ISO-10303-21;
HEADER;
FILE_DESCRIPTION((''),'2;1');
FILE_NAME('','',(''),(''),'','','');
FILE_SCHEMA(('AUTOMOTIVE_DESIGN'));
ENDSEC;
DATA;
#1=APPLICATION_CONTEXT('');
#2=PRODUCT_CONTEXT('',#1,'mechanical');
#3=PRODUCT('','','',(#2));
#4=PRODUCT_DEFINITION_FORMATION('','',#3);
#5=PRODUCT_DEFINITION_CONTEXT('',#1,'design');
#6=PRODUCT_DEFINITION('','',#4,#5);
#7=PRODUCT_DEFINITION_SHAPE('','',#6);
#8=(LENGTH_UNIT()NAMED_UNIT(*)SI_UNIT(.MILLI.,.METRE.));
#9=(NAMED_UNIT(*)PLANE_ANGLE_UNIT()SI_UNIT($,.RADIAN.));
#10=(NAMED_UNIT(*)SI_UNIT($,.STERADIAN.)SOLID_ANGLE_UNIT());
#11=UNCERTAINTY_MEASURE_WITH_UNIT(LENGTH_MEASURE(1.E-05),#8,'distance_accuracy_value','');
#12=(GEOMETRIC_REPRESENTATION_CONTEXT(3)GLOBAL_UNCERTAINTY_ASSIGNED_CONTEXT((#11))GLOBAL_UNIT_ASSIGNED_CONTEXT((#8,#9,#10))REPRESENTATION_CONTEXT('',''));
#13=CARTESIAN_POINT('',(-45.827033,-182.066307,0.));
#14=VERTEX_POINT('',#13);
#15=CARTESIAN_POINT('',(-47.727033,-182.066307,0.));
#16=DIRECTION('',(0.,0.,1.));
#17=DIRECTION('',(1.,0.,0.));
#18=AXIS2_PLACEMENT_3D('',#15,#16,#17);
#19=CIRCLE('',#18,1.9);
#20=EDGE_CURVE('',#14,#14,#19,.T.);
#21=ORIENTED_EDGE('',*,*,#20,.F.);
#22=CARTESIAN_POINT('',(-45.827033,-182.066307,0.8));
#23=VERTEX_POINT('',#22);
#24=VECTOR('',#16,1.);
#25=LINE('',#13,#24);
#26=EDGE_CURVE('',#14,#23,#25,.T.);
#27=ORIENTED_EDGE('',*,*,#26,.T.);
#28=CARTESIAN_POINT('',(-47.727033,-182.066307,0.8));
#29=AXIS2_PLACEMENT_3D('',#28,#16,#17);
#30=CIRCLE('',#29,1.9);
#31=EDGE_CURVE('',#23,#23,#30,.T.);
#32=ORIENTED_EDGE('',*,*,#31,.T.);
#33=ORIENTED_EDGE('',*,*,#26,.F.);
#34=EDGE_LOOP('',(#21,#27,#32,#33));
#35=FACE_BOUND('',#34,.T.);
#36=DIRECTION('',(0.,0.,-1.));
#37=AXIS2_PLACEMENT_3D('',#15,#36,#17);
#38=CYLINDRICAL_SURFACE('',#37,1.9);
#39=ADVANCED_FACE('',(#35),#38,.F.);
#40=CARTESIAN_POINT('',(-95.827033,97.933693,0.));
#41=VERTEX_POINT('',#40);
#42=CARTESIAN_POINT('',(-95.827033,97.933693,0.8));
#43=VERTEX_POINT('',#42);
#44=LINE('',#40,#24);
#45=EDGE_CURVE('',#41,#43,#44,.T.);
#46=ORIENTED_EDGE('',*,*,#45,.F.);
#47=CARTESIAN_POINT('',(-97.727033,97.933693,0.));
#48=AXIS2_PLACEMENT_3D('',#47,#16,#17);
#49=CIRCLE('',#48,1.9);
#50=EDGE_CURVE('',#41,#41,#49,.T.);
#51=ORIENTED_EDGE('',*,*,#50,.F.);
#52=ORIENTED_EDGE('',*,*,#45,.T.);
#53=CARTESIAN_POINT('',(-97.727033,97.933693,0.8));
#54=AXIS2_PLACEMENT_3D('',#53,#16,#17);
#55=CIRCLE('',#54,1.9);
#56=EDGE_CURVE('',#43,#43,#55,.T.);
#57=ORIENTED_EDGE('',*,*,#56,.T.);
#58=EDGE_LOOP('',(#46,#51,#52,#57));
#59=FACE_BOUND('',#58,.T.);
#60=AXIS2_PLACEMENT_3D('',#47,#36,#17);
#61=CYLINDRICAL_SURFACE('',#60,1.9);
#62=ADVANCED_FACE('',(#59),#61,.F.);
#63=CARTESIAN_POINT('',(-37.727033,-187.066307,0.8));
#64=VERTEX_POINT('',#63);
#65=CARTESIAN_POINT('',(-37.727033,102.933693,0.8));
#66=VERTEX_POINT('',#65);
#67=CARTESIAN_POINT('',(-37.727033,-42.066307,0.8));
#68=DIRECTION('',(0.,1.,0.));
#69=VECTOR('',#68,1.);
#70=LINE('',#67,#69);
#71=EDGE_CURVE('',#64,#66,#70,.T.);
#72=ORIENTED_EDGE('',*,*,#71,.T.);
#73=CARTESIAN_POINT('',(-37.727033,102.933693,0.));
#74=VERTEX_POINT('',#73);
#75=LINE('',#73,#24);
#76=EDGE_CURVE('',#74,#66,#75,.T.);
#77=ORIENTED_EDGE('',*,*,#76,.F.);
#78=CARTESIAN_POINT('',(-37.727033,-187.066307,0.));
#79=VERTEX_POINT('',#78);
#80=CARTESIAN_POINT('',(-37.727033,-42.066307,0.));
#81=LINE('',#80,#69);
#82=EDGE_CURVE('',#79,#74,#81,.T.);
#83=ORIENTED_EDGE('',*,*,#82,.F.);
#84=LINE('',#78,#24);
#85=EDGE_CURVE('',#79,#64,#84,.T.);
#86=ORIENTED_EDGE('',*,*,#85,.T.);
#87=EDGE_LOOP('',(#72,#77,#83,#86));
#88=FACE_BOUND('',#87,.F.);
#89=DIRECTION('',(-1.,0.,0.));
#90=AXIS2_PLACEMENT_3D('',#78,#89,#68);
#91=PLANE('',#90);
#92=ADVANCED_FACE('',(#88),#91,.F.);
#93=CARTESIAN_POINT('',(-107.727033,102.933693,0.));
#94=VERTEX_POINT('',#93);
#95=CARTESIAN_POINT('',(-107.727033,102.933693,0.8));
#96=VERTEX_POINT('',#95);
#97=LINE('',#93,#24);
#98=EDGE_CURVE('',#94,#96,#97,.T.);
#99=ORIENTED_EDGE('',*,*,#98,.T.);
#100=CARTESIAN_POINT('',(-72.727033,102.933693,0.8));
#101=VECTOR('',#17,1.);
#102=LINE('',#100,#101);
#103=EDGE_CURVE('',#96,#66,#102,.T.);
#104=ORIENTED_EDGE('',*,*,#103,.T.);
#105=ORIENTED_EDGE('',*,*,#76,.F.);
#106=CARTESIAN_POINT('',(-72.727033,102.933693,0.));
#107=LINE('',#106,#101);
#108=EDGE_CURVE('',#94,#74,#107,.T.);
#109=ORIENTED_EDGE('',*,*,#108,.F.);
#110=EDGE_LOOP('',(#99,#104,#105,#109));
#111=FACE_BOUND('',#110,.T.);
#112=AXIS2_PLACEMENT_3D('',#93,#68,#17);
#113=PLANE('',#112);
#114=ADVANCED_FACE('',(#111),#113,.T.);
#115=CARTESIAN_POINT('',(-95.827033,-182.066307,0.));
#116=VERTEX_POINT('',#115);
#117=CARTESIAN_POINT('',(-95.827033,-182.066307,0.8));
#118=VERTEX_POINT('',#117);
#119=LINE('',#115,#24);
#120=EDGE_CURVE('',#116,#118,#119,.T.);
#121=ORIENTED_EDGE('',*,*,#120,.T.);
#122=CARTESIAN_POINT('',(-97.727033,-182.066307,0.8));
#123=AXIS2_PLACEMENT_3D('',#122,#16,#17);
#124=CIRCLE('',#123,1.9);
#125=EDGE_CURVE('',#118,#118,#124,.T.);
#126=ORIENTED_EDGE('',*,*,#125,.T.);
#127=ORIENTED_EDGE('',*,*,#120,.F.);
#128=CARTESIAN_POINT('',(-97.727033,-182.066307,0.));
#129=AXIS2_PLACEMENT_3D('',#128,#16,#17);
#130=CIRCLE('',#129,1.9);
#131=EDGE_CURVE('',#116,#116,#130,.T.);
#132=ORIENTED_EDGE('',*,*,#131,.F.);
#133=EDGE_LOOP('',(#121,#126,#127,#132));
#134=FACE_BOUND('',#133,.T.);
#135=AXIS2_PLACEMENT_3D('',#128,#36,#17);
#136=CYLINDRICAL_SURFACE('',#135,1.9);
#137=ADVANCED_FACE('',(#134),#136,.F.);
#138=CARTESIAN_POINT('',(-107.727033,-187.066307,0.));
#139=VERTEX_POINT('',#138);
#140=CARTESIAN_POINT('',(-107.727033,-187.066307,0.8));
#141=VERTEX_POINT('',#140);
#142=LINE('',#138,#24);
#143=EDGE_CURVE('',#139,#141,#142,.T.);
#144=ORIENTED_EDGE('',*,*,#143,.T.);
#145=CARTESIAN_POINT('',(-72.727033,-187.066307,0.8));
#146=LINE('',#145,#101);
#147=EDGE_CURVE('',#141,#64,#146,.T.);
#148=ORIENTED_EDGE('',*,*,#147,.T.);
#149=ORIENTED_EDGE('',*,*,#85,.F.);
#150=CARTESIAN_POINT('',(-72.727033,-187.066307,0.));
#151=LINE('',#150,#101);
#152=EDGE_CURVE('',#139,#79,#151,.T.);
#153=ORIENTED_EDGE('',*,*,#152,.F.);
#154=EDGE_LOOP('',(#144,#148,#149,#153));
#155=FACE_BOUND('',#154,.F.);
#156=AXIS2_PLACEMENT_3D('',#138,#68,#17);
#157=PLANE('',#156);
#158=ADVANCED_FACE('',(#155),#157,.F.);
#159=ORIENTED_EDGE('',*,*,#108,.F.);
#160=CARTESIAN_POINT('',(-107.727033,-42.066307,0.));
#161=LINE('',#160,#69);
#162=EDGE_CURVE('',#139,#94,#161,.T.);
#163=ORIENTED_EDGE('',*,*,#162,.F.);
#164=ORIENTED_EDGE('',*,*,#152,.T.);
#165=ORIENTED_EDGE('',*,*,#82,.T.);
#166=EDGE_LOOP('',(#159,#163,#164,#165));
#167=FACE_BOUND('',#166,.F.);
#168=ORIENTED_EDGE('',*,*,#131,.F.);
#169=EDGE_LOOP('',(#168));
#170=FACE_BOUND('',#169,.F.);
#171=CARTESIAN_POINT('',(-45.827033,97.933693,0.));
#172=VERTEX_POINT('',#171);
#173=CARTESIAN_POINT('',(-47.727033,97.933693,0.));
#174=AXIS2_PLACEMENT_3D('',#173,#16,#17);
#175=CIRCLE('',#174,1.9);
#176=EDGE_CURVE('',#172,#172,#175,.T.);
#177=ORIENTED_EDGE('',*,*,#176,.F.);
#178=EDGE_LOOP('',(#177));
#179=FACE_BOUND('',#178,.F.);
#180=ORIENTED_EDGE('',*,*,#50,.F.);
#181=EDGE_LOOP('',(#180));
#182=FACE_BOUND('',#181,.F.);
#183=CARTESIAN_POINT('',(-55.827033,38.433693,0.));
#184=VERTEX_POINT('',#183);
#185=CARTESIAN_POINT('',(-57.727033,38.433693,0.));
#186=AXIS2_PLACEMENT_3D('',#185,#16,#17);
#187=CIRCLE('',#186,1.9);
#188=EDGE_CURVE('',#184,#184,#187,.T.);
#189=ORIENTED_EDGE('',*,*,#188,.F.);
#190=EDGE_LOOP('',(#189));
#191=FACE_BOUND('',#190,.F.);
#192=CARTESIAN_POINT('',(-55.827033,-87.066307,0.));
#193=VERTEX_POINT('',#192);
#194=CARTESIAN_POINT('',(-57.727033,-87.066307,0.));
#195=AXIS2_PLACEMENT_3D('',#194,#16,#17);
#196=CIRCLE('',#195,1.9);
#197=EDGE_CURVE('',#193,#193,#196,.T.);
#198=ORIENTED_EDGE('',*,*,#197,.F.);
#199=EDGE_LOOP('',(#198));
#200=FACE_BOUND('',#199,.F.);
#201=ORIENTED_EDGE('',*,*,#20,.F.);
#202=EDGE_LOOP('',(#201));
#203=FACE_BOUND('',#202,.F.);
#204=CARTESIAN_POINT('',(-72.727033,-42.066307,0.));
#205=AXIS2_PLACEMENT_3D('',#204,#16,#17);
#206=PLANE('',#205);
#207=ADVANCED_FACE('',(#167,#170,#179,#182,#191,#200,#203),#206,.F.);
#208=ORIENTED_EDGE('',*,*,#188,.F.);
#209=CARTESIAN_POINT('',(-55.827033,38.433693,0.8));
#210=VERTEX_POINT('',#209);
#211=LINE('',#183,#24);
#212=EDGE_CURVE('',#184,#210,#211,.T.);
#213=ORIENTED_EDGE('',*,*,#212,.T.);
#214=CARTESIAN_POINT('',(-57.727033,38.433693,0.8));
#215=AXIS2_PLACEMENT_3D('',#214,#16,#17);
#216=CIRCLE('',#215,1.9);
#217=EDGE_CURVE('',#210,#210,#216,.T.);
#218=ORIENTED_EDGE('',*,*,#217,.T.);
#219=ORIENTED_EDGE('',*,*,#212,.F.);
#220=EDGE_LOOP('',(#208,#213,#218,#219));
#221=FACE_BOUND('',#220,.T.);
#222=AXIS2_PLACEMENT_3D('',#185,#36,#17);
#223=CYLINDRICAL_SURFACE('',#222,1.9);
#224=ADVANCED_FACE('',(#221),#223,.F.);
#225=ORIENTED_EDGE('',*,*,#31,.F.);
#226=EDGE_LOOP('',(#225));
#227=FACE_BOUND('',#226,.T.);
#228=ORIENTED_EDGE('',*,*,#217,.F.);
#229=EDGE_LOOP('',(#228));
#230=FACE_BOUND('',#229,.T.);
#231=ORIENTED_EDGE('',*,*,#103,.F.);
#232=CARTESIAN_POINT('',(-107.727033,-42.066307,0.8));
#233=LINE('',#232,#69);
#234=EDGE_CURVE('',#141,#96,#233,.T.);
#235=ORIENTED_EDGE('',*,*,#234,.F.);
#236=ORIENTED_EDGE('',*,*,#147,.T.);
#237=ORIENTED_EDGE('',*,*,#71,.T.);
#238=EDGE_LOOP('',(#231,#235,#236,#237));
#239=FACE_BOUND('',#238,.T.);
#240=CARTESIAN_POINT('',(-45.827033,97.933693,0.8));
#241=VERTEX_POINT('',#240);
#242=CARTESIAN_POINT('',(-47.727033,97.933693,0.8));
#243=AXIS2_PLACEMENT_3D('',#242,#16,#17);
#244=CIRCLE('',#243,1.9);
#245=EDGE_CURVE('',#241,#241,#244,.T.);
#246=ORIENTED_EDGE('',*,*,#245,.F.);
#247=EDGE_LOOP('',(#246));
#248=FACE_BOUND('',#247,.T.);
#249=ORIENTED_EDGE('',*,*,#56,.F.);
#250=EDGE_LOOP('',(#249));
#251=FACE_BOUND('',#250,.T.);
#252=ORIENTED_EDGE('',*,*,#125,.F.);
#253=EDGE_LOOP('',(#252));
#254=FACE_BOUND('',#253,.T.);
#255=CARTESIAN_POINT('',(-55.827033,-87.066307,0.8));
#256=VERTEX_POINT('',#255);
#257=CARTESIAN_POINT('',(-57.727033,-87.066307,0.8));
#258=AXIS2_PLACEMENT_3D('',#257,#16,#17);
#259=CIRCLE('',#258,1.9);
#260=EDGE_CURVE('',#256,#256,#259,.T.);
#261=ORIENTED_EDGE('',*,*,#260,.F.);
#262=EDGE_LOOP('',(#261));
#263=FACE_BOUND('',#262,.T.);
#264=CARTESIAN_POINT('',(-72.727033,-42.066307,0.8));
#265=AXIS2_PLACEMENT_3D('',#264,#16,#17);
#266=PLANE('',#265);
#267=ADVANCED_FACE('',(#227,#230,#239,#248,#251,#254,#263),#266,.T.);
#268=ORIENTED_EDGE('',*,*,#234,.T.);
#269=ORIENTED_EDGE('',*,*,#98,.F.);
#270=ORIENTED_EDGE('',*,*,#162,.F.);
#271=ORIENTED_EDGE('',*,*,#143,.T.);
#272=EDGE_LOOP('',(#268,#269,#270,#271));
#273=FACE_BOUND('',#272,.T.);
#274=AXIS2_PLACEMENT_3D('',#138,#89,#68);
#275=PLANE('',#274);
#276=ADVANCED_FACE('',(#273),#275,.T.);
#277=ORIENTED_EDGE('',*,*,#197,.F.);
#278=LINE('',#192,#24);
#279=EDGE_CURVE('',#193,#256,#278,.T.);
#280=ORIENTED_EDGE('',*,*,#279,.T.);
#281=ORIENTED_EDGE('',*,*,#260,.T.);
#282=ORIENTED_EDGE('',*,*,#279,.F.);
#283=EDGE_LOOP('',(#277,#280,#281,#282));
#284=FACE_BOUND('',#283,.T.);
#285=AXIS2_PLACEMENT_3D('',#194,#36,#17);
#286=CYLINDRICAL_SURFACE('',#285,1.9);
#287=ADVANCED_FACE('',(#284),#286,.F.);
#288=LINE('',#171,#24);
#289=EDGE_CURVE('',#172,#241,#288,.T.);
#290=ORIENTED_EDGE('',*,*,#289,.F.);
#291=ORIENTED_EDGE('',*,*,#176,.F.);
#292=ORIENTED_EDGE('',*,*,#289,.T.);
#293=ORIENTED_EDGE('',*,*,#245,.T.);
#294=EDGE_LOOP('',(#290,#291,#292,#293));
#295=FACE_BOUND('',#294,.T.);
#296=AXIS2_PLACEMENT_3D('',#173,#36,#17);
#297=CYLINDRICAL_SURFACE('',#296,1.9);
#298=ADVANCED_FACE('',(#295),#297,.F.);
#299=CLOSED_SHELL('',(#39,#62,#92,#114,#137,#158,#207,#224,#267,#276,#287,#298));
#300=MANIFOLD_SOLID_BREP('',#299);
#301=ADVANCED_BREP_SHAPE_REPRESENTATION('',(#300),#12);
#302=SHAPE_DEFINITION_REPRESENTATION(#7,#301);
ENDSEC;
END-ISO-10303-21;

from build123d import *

# Parameters (mm, degrees)
F0_W     = 70
F0_H     = 290
F0_R     = 1.9
F1_DEPTH = 0.8


with BuildPart() as f1:
    # F0 (on Top) → F1 (new body)
    with BuildSketch(Plane.XY):
        with Locations((-72.727033, -42.066307)):
            Rectangle(F0_W, F0_H)
        with Locations((-97.727033, -182.066307)):
            Circle(F0_R, mode=Mode.SUBTRACT)
        with Locations((-47.727033, -182.066307)):
            Circle(F0_R, mode=Mode.SUBTRACT)
        with Locations((-57.727033, -87.066307)):
            Circle(F0_R, mode=Mode.SUBTRACT)
        with Locations((-97.727033, 97.933693)):
            Circle(F0_R, mode=Mode.SUBTRACT)
        with Locations((-57.727033, 38.433693)):
            Circle(F0_R, mode=Mode.SUBTRACT)
        with Locations((-47.727033, 97.933693)):
            Circle(F0_R, mode=Mode.SUBTRACT)
    extrude(amount=F1_DEPTH)


solid = f1.part
